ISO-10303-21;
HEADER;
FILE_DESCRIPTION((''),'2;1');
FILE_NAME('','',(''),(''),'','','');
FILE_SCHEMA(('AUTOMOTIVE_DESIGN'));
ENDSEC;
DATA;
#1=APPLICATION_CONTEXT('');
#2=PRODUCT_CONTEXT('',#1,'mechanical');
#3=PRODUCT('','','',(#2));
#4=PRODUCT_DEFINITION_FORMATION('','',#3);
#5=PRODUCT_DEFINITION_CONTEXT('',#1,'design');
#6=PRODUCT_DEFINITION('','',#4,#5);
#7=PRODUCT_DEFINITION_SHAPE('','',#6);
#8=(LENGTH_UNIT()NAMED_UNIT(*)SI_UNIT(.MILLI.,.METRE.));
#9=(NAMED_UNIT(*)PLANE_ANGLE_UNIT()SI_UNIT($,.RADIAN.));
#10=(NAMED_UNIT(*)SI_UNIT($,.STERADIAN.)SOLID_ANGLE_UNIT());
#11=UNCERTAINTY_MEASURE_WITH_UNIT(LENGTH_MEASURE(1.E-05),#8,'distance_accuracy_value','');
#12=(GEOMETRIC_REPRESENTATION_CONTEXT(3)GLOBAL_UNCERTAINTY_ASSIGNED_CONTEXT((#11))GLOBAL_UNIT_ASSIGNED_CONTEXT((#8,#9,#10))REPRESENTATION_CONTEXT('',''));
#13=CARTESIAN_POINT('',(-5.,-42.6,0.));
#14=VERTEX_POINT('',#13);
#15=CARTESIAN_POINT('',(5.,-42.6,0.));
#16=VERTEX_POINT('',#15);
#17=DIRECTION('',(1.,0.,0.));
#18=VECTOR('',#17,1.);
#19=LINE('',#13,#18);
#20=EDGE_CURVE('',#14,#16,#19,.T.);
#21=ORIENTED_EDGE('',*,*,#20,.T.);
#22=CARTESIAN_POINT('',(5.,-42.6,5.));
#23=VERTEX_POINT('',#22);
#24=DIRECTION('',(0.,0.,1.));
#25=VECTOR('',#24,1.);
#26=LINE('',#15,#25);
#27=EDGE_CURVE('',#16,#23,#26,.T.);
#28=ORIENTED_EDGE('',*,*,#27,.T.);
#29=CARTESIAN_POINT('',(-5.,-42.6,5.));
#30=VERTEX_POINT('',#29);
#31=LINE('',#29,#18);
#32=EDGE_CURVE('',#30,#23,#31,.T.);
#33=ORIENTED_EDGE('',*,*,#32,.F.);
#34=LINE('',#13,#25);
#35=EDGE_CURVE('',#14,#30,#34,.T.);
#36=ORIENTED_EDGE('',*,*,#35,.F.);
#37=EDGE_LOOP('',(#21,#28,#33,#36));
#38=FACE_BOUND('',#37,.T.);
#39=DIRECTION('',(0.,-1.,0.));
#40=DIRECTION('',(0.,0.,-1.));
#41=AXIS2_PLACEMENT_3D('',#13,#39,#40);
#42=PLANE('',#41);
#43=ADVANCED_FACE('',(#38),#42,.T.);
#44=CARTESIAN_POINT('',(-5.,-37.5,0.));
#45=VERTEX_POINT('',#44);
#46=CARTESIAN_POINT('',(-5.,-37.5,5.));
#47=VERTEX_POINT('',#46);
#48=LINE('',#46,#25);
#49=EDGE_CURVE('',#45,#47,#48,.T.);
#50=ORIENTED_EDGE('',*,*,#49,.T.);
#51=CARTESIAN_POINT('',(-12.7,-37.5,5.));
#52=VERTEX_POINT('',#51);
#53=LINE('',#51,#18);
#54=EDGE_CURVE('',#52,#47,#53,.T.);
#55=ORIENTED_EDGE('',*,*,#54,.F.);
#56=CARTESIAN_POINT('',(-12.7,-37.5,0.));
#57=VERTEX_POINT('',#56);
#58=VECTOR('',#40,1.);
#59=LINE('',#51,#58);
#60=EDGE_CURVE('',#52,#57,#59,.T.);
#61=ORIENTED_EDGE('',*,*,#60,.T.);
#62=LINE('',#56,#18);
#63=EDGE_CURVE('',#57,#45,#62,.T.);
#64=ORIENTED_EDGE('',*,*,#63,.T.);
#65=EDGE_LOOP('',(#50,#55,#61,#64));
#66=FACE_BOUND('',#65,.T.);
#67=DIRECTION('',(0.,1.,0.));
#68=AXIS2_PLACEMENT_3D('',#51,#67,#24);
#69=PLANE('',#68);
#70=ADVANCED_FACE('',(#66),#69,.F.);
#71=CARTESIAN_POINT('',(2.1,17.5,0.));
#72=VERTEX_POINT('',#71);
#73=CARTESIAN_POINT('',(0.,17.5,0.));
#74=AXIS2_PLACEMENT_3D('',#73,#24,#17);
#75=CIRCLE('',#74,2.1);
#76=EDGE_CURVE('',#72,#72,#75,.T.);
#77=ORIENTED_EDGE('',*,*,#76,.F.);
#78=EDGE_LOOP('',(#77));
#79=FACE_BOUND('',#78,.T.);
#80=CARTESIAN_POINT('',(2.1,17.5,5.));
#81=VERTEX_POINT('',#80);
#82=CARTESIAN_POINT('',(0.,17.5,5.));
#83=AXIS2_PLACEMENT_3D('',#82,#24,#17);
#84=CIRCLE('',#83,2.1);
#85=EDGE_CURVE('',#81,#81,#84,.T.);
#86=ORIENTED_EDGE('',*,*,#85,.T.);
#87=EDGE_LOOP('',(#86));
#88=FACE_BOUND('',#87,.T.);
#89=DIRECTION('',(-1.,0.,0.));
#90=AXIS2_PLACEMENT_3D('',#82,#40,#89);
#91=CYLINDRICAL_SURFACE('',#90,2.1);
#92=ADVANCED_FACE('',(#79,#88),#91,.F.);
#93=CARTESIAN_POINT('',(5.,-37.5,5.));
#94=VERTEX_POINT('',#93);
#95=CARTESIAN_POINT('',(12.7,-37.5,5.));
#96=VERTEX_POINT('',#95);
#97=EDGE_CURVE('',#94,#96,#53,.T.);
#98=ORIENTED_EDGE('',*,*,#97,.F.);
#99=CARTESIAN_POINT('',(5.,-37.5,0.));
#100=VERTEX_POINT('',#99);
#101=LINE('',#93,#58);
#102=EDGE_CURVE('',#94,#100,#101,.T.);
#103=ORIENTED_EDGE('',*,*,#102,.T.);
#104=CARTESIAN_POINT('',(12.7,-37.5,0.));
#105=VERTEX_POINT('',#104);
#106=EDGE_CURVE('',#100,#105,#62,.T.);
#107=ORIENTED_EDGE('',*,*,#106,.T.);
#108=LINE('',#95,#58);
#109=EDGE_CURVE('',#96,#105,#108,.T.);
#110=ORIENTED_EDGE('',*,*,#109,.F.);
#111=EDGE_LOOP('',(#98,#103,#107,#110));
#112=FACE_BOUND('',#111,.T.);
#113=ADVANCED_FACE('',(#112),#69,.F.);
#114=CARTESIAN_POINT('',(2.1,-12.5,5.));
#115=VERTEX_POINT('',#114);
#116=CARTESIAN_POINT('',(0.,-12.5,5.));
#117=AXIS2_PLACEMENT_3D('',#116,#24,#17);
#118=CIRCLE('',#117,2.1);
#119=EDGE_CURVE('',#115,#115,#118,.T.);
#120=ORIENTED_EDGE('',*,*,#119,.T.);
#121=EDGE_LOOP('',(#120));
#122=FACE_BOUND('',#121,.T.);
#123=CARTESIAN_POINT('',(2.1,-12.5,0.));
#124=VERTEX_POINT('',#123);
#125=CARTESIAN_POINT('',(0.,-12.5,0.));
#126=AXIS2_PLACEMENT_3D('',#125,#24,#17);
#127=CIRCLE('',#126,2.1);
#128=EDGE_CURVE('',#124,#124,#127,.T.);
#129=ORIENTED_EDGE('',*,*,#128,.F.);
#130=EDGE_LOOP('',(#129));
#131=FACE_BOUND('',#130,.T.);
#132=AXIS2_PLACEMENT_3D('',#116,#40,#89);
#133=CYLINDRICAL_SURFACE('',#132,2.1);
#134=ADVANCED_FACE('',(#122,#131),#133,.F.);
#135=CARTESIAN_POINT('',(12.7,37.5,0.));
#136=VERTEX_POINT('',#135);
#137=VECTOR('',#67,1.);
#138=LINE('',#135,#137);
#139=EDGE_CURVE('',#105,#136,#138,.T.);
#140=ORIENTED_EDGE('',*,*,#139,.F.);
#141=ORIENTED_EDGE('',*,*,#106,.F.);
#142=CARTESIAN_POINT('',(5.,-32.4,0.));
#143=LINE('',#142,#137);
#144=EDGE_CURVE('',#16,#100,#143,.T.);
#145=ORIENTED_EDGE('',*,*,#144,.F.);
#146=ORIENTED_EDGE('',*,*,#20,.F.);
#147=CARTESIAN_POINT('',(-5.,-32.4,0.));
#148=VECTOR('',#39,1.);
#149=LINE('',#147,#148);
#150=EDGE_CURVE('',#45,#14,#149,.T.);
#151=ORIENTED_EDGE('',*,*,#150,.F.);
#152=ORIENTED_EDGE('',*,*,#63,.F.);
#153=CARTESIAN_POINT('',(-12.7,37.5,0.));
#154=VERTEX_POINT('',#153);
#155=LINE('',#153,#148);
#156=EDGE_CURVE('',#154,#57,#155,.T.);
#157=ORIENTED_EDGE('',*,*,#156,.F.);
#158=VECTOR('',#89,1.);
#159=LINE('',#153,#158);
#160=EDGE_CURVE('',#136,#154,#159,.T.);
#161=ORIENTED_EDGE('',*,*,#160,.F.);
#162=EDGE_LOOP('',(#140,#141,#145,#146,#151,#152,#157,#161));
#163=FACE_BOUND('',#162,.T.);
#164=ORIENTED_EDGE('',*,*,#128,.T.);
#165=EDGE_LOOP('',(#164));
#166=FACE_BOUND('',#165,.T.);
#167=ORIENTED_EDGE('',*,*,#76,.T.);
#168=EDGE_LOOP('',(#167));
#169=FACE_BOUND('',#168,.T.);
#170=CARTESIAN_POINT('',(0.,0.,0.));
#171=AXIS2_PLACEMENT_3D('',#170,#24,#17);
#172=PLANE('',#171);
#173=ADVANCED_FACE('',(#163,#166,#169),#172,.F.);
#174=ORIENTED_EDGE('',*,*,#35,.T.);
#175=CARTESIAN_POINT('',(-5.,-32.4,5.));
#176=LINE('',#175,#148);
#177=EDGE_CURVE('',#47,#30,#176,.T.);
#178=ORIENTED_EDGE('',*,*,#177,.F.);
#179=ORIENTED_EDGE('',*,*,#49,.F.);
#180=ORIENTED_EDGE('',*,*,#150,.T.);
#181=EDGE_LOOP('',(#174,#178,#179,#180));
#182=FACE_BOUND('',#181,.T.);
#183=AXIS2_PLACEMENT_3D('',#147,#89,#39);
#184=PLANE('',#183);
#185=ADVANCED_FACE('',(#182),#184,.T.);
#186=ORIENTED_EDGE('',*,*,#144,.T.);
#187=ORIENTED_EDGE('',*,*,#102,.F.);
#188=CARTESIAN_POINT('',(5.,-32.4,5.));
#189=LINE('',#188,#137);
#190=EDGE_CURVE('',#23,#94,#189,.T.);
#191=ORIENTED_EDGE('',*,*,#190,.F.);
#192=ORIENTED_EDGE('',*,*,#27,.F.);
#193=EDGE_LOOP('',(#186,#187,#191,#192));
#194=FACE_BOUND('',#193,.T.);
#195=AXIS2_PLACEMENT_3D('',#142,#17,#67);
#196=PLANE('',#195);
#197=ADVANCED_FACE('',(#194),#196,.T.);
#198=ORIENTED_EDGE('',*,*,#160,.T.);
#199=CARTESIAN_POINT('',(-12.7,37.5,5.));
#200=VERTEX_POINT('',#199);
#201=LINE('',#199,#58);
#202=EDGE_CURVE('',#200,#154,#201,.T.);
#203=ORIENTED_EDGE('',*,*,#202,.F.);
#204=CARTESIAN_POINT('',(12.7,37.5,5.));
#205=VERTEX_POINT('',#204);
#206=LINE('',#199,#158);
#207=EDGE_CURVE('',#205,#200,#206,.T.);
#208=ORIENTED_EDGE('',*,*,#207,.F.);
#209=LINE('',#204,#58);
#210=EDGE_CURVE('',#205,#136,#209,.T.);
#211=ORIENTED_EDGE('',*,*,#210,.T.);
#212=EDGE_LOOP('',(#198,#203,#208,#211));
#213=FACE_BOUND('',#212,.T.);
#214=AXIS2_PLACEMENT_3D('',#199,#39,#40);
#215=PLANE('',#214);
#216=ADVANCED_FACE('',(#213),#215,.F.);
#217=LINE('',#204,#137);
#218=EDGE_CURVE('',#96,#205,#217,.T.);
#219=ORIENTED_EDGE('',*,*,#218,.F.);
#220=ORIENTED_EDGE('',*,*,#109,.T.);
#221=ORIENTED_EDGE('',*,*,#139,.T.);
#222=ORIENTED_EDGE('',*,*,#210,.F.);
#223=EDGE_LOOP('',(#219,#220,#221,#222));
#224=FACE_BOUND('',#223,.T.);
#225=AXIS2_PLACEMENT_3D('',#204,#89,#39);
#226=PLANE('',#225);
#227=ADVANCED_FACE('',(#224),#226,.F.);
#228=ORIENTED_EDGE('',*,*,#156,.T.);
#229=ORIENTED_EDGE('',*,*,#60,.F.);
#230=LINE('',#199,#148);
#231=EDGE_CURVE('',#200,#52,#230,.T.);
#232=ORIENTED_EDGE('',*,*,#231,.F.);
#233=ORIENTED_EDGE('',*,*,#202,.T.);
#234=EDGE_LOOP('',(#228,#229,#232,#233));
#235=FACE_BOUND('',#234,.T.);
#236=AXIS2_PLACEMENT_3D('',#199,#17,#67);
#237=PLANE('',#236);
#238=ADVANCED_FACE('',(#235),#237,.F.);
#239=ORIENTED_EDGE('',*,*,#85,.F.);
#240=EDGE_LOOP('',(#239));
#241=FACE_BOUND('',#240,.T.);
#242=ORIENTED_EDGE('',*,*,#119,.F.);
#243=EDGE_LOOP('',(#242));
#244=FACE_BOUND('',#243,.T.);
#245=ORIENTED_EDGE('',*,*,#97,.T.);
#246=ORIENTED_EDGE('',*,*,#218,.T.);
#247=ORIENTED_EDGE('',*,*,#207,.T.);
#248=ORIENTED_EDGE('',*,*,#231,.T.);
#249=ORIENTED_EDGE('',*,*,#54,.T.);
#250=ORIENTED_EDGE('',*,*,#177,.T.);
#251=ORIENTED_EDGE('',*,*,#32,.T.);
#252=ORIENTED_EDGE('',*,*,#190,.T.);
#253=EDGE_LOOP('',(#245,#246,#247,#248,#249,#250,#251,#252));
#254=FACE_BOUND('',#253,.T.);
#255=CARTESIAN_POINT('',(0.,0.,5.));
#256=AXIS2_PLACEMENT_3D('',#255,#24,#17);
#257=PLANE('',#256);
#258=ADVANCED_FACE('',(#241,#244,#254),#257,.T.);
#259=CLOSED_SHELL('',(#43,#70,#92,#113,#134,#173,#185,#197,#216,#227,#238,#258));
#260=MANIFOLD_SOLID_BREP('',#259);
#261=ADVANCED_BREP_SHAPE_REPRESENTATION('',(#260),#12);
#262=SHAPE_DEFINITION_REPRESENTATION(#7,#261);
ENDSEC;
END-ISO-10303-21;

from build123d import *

# Parameters (mm, degrees)
SKETCH1_W           = 25.4
SKETCH1_H           = 75
SKETCH1_R           = 2.1
BOSS_EXTRUDE1_DEPTH = 5
SKETCH2_W           = 10
SKETCH2_H           = 10.2
BOSS_EXTRUDE2_DEPTH = 5


with BuildPart() as part:
    # Sketch1 → Boss-Extrude1 (new body)
    with BuildSketch(Plane.XY):
        Rectangle(SKETCH1_W, SKETCH1_H)
        with Locations((0, -12.5)):
            Circle(SKETCH1_R, mode=Mode.SUBTRACT)
        with Locations((0, 17.5)):
            Circle(SKETCH1_R, mode=Mode.SUBTRACT)
    extrude(amount=BOSS_EXTRUDE1_DEPTH)

    # Sketch2 → Boss-Extrude2 (add)
    with BuildSketch(Plane.XY.offset(5)):
        with Locations((0, -37.5)):
            Rectangle(SKETCH2_W, SKETCH2_H)
    extrude(amount=-BOSS_EXTRUDE2_DEPTH)


solid = part.part
